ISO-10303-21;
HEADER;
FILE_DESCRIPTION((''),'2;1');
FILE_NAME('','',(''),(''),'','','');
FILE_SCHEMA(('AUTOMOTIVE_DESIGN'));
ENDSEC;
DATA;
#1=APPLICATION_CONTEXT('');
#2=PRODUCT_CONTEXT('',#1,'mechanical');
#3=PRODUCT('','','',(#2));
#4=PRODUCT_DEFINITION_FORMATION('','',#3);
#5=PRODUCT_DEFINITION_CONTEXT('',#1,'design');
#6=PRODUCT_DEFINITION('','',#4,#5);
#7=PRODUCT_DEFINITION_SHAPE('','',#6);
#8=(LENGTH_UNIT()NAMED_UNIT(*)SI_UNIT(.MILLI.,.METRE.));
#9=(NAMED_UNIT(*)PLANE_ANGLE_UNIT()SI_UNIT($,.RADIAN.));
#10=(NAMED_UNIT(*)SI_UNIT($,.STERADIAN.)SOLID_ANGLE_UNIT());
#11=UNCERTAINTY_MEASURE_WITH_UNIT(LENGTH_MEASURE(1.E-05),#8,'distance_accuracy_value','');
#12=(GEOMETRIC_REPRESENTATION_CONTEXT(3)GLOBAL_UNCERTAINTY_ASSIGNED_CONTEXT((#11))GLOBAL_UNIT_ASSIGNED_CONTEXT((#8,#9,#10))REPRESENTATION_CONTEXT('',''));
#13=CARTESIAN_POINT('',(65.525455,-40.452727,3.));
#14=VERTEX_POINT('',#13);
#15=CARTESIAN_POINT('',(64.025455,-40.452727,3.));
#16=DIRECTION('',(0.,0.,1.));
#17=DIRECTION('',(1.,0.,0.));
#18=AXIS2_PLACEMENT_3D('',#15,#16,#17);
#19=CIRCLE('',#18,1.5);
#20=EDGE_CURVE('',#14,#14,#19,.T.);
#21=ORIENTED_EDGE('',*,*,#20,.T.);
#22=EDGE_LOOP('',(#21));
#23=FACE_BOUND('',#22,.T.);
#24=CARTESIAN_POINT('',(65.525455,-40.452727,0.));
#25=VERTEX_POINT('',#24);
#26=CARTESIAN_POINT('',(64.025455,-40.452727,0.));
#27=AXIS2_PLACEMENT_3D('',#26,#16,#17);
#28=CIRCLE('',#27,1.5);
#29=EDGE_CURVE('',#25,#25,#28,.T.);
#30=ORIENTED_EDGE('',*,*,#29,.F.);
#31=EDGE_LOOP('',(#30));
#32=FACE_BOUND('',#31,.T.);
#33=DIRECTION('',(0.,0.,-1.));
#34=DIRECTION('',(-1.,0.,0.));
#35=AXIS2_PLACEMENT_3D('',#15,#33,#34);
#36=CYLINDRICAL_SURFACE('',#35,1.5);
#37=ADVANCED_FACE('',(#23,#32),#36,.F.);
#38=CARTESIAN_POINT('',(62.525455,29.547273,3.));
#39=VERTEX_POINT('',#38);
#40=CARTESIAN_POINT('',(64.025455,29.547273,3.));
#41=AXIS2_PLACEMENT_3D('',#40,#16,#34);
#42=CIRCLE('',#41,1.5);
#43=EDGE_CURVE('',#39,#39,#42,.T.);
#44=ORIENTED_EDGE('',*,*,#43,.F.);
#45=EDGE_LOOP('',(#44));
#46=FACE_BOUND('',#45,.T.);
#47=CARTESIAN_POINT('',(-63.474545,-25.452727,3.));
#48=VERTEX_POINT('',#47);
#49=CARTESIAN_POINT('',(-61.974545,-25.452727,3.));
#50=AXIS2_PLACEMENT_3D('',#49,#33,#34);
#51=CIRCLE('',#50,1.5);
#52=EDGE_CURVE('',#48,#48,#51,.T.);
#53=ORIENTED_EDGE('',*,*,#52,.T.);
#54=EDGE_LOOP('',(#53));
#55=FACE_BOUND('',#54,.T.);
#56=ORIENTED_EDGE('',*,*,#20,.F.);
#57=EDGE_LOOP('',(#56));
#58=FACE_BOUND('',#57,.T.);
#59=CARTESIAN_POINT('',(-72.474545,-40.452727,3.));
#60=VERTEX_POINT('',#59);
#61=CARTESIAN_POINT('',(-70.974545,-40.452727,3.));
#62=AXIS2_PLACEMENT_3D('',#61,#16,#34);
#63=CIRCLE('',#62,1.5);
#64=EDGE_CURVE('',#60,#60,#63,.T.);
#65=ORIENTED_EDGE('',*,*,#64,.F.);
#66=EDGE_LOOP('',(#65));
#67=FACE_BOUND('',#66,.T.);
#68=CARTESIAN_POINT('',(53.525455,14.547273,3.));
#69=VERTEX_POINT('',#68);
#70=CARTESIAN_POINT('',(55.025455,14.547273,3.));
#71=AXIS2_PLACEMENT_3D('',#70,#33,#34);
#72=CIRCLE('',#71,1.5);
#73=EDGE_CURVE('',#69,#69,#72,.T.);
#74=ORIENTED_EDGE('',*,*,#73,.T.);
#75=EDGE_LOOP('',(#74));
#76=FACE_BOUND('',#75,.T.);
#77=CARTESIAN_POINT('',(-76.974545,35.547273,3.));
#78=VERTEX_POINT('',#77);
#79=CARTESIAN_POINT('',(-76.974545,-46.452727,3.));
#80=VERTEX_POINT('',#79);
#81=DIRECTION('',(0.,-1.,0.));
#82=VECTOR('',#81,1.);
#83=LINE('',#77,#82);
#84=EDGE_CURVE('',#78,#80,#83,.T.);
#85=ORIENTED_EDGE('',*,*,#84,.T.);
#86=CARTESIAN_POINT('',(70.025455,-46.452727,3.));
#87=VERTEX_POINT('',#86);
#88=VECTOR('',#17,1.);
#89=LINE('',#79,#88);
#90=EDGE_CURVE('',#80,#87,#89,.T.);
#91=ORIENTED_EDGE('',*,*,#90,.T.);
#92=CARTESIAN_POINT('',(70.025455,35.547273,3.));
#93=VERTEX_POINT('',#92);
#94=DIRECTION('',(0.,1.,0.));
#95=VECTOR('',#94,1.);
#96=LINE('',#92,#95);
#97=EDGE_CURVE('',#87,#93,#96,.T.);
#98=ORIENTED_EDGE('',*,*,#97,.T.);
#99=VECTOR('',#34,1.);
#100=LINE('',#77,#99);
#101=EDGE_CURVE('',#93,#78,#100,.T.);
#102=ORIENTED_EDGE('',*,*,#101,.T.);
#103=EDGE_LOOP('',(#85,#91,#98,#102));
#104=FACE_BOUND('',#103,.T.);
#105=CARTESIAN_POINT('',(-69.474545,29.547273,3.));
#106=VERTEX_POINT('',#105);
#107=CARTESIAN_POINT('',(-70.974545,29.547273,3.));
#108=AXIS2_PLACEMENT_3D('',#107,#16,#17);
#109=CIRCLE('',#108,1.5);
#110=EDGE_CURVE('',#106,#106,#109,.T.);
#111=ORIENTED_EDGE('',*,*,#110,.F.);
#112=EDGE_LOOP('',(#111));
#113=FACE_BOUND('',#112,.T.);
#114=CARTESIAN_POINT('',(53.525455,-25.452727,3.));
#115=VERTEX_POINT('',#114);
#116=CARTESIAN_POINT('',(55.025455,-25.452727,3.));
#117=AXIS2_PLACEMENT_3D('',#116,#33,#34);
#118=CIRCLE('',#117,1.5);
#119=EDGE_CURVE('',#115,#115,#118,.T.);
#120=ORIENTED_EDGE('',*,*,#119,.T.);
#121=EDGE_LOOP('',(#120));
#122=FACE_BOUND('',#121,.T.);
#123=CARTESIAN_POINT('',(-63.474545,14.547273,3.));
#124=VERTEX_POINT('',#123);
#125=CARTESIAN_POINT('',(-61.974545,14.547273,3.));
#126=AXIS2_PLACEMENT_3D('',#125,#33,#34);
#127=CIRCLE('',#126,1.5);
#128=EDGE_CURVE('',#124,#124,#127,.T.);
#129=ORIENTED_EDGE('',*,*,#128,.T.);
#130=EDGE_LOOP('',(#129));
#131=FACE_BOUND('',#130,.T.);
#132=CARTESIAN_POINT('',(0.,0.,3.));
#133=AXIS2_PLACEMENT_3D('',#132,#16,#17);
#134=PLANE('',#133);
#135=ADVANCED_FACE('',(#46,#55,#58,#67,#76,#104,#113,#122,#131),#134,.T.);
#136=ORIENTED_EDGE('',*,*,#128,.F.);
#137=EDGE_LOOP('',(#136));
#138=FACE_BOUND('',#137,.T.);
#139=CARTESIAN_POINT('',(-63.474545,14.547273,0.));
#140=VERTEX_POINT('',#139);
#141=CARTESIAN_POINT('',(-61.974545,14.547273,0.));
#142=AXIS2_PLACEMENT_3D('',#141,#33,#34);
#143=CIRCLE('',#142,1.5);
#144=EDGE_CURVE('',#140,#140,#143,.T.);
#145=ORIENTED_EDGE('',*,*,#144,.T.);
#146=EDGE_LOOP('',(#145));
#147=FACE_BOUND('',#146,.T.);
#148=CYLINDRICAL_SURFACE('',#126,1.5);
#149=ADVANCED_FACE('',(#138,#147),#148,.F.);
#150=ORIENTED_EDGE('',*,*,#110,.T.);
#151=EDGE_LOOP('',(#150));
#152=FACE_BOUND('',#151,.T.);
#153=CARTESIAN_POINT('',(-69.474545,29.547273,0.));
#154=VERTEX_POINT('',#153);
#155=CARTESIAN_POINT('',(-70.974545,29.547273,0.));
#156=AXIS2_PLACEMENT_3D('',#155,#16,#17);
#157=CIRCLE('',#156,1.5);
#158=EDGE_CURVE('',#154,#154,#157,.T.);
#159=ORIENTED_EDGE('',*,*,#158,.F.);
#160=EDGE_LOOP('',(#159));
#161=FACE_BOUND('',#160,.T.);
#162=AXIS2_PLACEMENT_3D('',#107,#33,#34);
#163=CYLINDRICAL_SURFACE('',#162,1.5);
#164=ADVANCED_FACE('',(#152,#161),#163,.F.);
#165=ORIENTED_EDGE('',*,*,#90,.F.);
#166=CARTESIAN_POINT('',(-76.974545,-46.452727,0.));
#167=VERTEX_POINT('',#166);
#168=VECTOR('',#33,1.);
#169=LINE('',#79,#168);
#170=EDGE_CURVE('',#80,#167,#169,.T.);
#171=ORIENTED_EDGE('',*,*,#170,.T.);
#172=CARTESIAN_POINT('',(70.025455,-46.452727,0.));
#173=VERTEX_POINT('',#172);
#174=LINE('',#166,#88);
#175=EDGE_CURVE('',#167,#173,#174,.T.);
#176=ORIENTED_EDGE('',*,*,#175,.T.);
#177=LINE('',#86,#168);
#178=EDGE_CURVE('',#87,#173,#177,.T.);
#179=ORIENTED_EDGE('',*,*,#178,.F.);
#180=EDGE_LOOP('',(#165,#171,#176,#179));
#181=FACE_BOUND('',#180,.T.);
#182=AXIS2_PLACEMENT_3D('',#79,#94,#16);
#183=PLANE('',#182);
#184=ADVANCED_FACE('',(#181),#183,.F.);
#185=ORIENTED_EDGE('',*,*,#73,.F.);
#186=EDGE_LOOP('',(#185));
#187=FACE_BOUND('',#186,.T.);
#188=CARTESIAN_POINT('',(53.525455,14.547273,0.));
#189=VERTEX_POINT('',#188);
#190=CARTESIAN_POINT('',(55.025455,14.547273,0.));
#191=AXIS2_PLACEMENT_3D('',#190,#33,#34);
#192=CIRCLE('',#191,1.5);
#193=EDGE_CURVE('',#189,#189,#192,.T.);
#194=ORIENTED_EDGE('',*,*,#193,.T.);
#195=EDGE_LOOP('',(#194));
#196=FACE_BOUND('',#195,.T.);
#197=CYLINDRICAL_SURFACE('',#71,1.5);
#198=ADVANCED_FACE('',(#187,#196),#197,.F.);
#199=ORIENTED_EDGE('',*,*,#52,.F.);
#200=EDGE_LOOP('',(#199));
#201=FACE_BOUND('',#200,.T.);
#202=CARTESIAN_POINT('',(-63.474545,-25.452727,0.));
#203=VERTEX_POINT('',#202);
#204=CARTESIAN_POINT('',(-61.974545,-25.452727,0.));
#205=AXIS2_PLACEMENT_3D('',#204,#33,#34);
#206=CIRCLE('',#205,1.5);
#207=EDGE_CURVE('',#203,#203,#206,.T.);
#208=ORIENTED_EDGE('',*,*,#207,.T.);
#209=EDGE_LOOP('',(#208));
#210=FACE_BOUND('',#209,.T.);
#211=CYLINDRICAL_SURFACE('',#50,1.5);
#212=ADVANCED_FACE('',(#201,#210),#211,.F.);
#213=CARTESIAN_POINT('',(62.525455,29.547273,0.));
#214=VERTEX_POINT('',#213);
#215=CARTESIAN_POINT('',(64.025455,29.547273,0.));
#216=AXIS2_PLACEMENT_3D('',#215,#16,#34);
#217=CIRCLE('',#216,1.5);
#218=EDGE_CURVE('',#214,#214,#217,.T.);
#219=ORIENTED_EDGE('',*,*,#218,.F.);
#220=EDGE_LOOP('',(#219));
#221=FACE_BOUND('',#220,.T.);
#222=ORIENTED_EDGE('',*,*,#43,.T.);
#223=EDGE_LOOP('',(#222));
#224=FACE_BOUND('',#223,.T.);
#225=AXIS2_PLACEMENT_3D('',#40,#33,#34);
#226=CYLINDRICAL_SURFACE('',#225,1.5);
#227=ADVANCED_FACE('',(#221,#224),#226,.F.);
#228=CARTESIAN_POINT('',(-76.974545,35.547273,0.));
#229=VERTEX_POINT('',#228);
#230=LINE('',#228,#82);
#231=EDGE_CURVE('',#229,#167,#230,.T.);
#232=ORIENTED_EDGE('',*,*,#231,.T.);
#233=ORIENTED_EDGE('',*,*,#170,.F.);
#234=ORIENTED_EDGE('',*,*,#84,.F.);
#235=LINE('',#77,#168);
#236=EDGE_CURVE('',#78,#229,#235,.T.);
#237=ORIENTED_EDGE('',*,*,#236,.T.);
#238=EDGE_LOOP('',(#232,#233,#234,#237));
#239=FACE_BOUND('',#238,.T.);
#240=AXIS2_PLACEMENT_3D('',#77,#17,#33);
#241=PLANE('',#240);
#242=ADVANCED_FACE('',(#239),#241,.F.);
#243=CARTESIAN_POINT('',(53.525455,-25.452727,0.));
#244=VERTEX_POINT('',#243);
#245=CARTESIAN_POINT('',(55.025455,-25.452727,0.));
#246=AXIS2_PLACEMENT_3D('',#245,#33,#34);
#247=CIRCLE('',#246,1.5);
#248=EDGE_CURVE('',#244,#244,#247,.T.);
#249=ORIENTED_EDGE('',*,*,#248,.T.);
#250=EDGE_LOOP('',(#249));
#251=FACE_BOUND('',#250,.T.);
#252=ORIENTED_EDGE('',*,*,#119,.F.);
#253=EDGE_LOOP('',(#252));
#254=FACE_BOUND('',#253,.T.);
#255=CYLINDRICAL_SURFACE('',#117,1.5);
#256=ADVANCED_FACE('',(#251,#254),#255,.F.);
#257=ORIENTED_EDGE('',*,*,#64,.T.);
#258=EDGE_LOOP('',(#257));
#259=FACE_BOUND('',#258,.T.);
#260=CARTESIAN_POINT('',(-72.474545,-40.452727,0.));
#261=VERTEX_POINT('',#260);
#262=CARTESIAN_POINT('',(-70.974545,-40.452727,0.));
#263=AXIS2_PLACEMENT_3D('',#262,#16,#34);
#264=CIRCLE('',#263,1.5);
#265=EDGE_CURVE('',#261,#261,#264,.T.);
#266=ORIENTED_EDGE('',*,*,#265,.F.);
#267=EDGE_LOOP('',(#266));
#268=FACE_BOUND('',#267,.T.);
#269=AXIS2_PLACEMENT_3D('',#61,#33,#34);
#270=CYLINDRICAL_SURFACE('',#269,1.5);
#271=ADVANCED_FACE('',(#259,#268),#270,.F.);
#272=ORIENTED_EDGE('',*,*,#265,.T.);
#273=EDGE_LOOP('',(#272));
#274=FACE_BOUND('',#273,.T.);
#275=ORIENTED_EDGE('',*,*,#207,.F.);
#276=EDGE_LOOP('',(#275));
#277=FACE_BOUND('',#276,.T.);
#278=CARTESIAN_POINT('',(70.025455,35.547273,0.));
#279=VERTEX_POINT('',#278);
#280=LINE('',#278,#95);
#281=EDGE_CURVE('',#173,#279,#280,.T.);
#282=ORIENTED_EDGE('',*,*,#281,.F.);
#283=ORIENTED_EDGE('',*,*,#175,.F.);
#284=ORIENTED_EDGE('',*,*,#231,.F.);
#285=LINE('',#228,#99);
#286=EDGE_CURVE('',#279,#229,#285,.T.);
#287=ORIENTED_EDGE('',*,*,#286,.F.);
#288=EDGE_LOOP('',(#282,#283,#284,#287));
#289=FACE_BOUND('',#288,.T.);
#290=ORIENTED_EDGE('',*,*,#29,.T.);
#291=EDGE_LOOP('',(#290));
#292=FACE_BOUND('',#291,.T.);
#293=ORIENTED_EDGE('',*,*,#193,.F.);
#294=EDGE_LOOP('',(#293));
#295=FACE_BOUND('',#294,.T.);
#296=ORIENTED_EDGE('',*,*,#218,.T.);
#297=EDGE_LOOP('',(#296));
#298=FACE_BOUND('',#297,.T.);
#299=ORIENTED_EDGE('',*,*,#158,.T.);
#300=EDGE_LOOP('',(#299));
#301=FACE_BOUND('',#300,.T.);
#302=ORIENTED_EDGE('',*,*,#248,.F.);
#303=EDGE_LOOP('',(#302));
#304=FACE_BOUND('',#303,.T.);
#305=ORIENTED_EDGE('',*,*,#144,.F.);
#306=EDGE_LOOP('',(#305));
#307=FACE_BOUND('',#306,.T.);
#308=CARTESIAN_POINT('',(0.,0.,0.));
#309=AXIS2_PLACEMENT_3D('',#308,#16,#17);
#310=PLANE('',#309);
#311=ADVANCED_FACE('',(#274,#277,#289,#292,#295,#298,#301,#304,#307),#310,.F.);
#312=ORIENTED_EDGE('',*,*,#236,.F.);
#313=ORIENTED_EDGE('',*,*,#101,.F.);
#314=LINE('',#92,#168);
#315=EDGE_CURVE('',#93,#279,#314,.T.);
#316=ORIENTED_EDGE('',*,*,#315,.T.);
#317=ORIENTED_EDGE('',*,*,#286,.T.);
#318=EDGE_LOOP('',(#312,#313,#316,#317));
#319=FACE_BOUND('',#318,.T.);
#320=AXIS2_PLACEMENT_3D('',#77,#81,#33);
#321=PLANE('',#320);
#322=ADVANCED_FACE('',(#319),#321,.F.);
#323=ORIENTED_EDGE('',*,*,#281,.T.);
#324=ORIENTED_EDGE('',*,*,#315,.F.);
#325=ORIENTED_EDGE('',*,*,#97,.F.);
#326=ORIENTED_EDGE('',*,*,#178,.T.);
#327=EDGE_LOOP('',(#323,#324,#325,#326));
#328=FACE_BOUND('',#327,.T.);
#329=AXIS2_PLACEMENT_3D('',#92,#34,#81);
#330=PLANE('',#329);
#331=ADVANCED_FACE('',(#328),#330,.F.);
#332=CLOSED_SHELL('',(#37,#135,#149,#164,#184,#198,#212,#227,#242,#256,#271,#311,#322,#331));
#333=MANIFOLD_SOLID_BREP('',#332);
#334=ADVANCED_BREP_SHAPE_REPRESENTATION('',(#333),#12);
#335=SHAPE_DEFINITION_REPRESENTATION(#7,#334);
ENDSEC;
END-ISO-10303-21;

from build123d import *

# Parameters (mm, degrees)
SKETCH_1_W          = 147
SKETCH_1_H          = 82
SKETCH_1_R          = 1.5
EXTRUDE_1_DEPTH     = 3
SKETCH_2_R          = 1.5
CUT_EXTRUDE_1_DEPTH = 3


with BuildPart() as part:
    # 草图1 → 凸台-拉伸1 (new body)
    with BuildSketch(Plane.XY):
        with Locations((-3.474545455, -5.452727273)):
            Rectangle(SKETCH_1_W, SKETCH_1_H)
        with Locations((-70.974545455, 29.547272727)):
            Circle(SKETCH_1_R, mode=Mode.SUBTRACT)
        with Locations(Location((64.025454545, 29.547272727, 0), (0, 0, 180))):
            Circle(SKETCH_1_R, mode=Mode.SUBTRACT)
        with Locations((64.025454545, -40.452727273)):
            Circle(SKETCH_1_R, mode=Mode.SUBTRACT)
        with Locations(Location((-70.974545455, -40.452727273, 0), (0, 0, 180))):
            Circle(SKETCH_1_R, mode=Mode.SUBTRACT)
    extrude(amount=EXTRUDE_1_DEPTH)

    # 草图2 → 切除-拉伸1 (cut)
    with BuildSketch(Plane(origin=(0, 0, 0), x_dir=(-1, 0, 0), z_dir=(0, 0, -1))):
        with Locations((-55.025454545, 14.547272727)):
            Circle(SKETCH_2_R)
        with Locations((-55.025454545, -25.452727273)):
            Circle(SKETCH_2_R)
        with Locations((61.974545455, -25.452727273)):
            Circle(SKETCH_2_R)
        with Locations((61.974545455, 14.547272727)):
            Circle(SKETCH_2_R)
    extrude(amount=-CUT_EXTRUDE_1_DEPTH, mode=Mode.SUBTRACT)


solid = part.part
